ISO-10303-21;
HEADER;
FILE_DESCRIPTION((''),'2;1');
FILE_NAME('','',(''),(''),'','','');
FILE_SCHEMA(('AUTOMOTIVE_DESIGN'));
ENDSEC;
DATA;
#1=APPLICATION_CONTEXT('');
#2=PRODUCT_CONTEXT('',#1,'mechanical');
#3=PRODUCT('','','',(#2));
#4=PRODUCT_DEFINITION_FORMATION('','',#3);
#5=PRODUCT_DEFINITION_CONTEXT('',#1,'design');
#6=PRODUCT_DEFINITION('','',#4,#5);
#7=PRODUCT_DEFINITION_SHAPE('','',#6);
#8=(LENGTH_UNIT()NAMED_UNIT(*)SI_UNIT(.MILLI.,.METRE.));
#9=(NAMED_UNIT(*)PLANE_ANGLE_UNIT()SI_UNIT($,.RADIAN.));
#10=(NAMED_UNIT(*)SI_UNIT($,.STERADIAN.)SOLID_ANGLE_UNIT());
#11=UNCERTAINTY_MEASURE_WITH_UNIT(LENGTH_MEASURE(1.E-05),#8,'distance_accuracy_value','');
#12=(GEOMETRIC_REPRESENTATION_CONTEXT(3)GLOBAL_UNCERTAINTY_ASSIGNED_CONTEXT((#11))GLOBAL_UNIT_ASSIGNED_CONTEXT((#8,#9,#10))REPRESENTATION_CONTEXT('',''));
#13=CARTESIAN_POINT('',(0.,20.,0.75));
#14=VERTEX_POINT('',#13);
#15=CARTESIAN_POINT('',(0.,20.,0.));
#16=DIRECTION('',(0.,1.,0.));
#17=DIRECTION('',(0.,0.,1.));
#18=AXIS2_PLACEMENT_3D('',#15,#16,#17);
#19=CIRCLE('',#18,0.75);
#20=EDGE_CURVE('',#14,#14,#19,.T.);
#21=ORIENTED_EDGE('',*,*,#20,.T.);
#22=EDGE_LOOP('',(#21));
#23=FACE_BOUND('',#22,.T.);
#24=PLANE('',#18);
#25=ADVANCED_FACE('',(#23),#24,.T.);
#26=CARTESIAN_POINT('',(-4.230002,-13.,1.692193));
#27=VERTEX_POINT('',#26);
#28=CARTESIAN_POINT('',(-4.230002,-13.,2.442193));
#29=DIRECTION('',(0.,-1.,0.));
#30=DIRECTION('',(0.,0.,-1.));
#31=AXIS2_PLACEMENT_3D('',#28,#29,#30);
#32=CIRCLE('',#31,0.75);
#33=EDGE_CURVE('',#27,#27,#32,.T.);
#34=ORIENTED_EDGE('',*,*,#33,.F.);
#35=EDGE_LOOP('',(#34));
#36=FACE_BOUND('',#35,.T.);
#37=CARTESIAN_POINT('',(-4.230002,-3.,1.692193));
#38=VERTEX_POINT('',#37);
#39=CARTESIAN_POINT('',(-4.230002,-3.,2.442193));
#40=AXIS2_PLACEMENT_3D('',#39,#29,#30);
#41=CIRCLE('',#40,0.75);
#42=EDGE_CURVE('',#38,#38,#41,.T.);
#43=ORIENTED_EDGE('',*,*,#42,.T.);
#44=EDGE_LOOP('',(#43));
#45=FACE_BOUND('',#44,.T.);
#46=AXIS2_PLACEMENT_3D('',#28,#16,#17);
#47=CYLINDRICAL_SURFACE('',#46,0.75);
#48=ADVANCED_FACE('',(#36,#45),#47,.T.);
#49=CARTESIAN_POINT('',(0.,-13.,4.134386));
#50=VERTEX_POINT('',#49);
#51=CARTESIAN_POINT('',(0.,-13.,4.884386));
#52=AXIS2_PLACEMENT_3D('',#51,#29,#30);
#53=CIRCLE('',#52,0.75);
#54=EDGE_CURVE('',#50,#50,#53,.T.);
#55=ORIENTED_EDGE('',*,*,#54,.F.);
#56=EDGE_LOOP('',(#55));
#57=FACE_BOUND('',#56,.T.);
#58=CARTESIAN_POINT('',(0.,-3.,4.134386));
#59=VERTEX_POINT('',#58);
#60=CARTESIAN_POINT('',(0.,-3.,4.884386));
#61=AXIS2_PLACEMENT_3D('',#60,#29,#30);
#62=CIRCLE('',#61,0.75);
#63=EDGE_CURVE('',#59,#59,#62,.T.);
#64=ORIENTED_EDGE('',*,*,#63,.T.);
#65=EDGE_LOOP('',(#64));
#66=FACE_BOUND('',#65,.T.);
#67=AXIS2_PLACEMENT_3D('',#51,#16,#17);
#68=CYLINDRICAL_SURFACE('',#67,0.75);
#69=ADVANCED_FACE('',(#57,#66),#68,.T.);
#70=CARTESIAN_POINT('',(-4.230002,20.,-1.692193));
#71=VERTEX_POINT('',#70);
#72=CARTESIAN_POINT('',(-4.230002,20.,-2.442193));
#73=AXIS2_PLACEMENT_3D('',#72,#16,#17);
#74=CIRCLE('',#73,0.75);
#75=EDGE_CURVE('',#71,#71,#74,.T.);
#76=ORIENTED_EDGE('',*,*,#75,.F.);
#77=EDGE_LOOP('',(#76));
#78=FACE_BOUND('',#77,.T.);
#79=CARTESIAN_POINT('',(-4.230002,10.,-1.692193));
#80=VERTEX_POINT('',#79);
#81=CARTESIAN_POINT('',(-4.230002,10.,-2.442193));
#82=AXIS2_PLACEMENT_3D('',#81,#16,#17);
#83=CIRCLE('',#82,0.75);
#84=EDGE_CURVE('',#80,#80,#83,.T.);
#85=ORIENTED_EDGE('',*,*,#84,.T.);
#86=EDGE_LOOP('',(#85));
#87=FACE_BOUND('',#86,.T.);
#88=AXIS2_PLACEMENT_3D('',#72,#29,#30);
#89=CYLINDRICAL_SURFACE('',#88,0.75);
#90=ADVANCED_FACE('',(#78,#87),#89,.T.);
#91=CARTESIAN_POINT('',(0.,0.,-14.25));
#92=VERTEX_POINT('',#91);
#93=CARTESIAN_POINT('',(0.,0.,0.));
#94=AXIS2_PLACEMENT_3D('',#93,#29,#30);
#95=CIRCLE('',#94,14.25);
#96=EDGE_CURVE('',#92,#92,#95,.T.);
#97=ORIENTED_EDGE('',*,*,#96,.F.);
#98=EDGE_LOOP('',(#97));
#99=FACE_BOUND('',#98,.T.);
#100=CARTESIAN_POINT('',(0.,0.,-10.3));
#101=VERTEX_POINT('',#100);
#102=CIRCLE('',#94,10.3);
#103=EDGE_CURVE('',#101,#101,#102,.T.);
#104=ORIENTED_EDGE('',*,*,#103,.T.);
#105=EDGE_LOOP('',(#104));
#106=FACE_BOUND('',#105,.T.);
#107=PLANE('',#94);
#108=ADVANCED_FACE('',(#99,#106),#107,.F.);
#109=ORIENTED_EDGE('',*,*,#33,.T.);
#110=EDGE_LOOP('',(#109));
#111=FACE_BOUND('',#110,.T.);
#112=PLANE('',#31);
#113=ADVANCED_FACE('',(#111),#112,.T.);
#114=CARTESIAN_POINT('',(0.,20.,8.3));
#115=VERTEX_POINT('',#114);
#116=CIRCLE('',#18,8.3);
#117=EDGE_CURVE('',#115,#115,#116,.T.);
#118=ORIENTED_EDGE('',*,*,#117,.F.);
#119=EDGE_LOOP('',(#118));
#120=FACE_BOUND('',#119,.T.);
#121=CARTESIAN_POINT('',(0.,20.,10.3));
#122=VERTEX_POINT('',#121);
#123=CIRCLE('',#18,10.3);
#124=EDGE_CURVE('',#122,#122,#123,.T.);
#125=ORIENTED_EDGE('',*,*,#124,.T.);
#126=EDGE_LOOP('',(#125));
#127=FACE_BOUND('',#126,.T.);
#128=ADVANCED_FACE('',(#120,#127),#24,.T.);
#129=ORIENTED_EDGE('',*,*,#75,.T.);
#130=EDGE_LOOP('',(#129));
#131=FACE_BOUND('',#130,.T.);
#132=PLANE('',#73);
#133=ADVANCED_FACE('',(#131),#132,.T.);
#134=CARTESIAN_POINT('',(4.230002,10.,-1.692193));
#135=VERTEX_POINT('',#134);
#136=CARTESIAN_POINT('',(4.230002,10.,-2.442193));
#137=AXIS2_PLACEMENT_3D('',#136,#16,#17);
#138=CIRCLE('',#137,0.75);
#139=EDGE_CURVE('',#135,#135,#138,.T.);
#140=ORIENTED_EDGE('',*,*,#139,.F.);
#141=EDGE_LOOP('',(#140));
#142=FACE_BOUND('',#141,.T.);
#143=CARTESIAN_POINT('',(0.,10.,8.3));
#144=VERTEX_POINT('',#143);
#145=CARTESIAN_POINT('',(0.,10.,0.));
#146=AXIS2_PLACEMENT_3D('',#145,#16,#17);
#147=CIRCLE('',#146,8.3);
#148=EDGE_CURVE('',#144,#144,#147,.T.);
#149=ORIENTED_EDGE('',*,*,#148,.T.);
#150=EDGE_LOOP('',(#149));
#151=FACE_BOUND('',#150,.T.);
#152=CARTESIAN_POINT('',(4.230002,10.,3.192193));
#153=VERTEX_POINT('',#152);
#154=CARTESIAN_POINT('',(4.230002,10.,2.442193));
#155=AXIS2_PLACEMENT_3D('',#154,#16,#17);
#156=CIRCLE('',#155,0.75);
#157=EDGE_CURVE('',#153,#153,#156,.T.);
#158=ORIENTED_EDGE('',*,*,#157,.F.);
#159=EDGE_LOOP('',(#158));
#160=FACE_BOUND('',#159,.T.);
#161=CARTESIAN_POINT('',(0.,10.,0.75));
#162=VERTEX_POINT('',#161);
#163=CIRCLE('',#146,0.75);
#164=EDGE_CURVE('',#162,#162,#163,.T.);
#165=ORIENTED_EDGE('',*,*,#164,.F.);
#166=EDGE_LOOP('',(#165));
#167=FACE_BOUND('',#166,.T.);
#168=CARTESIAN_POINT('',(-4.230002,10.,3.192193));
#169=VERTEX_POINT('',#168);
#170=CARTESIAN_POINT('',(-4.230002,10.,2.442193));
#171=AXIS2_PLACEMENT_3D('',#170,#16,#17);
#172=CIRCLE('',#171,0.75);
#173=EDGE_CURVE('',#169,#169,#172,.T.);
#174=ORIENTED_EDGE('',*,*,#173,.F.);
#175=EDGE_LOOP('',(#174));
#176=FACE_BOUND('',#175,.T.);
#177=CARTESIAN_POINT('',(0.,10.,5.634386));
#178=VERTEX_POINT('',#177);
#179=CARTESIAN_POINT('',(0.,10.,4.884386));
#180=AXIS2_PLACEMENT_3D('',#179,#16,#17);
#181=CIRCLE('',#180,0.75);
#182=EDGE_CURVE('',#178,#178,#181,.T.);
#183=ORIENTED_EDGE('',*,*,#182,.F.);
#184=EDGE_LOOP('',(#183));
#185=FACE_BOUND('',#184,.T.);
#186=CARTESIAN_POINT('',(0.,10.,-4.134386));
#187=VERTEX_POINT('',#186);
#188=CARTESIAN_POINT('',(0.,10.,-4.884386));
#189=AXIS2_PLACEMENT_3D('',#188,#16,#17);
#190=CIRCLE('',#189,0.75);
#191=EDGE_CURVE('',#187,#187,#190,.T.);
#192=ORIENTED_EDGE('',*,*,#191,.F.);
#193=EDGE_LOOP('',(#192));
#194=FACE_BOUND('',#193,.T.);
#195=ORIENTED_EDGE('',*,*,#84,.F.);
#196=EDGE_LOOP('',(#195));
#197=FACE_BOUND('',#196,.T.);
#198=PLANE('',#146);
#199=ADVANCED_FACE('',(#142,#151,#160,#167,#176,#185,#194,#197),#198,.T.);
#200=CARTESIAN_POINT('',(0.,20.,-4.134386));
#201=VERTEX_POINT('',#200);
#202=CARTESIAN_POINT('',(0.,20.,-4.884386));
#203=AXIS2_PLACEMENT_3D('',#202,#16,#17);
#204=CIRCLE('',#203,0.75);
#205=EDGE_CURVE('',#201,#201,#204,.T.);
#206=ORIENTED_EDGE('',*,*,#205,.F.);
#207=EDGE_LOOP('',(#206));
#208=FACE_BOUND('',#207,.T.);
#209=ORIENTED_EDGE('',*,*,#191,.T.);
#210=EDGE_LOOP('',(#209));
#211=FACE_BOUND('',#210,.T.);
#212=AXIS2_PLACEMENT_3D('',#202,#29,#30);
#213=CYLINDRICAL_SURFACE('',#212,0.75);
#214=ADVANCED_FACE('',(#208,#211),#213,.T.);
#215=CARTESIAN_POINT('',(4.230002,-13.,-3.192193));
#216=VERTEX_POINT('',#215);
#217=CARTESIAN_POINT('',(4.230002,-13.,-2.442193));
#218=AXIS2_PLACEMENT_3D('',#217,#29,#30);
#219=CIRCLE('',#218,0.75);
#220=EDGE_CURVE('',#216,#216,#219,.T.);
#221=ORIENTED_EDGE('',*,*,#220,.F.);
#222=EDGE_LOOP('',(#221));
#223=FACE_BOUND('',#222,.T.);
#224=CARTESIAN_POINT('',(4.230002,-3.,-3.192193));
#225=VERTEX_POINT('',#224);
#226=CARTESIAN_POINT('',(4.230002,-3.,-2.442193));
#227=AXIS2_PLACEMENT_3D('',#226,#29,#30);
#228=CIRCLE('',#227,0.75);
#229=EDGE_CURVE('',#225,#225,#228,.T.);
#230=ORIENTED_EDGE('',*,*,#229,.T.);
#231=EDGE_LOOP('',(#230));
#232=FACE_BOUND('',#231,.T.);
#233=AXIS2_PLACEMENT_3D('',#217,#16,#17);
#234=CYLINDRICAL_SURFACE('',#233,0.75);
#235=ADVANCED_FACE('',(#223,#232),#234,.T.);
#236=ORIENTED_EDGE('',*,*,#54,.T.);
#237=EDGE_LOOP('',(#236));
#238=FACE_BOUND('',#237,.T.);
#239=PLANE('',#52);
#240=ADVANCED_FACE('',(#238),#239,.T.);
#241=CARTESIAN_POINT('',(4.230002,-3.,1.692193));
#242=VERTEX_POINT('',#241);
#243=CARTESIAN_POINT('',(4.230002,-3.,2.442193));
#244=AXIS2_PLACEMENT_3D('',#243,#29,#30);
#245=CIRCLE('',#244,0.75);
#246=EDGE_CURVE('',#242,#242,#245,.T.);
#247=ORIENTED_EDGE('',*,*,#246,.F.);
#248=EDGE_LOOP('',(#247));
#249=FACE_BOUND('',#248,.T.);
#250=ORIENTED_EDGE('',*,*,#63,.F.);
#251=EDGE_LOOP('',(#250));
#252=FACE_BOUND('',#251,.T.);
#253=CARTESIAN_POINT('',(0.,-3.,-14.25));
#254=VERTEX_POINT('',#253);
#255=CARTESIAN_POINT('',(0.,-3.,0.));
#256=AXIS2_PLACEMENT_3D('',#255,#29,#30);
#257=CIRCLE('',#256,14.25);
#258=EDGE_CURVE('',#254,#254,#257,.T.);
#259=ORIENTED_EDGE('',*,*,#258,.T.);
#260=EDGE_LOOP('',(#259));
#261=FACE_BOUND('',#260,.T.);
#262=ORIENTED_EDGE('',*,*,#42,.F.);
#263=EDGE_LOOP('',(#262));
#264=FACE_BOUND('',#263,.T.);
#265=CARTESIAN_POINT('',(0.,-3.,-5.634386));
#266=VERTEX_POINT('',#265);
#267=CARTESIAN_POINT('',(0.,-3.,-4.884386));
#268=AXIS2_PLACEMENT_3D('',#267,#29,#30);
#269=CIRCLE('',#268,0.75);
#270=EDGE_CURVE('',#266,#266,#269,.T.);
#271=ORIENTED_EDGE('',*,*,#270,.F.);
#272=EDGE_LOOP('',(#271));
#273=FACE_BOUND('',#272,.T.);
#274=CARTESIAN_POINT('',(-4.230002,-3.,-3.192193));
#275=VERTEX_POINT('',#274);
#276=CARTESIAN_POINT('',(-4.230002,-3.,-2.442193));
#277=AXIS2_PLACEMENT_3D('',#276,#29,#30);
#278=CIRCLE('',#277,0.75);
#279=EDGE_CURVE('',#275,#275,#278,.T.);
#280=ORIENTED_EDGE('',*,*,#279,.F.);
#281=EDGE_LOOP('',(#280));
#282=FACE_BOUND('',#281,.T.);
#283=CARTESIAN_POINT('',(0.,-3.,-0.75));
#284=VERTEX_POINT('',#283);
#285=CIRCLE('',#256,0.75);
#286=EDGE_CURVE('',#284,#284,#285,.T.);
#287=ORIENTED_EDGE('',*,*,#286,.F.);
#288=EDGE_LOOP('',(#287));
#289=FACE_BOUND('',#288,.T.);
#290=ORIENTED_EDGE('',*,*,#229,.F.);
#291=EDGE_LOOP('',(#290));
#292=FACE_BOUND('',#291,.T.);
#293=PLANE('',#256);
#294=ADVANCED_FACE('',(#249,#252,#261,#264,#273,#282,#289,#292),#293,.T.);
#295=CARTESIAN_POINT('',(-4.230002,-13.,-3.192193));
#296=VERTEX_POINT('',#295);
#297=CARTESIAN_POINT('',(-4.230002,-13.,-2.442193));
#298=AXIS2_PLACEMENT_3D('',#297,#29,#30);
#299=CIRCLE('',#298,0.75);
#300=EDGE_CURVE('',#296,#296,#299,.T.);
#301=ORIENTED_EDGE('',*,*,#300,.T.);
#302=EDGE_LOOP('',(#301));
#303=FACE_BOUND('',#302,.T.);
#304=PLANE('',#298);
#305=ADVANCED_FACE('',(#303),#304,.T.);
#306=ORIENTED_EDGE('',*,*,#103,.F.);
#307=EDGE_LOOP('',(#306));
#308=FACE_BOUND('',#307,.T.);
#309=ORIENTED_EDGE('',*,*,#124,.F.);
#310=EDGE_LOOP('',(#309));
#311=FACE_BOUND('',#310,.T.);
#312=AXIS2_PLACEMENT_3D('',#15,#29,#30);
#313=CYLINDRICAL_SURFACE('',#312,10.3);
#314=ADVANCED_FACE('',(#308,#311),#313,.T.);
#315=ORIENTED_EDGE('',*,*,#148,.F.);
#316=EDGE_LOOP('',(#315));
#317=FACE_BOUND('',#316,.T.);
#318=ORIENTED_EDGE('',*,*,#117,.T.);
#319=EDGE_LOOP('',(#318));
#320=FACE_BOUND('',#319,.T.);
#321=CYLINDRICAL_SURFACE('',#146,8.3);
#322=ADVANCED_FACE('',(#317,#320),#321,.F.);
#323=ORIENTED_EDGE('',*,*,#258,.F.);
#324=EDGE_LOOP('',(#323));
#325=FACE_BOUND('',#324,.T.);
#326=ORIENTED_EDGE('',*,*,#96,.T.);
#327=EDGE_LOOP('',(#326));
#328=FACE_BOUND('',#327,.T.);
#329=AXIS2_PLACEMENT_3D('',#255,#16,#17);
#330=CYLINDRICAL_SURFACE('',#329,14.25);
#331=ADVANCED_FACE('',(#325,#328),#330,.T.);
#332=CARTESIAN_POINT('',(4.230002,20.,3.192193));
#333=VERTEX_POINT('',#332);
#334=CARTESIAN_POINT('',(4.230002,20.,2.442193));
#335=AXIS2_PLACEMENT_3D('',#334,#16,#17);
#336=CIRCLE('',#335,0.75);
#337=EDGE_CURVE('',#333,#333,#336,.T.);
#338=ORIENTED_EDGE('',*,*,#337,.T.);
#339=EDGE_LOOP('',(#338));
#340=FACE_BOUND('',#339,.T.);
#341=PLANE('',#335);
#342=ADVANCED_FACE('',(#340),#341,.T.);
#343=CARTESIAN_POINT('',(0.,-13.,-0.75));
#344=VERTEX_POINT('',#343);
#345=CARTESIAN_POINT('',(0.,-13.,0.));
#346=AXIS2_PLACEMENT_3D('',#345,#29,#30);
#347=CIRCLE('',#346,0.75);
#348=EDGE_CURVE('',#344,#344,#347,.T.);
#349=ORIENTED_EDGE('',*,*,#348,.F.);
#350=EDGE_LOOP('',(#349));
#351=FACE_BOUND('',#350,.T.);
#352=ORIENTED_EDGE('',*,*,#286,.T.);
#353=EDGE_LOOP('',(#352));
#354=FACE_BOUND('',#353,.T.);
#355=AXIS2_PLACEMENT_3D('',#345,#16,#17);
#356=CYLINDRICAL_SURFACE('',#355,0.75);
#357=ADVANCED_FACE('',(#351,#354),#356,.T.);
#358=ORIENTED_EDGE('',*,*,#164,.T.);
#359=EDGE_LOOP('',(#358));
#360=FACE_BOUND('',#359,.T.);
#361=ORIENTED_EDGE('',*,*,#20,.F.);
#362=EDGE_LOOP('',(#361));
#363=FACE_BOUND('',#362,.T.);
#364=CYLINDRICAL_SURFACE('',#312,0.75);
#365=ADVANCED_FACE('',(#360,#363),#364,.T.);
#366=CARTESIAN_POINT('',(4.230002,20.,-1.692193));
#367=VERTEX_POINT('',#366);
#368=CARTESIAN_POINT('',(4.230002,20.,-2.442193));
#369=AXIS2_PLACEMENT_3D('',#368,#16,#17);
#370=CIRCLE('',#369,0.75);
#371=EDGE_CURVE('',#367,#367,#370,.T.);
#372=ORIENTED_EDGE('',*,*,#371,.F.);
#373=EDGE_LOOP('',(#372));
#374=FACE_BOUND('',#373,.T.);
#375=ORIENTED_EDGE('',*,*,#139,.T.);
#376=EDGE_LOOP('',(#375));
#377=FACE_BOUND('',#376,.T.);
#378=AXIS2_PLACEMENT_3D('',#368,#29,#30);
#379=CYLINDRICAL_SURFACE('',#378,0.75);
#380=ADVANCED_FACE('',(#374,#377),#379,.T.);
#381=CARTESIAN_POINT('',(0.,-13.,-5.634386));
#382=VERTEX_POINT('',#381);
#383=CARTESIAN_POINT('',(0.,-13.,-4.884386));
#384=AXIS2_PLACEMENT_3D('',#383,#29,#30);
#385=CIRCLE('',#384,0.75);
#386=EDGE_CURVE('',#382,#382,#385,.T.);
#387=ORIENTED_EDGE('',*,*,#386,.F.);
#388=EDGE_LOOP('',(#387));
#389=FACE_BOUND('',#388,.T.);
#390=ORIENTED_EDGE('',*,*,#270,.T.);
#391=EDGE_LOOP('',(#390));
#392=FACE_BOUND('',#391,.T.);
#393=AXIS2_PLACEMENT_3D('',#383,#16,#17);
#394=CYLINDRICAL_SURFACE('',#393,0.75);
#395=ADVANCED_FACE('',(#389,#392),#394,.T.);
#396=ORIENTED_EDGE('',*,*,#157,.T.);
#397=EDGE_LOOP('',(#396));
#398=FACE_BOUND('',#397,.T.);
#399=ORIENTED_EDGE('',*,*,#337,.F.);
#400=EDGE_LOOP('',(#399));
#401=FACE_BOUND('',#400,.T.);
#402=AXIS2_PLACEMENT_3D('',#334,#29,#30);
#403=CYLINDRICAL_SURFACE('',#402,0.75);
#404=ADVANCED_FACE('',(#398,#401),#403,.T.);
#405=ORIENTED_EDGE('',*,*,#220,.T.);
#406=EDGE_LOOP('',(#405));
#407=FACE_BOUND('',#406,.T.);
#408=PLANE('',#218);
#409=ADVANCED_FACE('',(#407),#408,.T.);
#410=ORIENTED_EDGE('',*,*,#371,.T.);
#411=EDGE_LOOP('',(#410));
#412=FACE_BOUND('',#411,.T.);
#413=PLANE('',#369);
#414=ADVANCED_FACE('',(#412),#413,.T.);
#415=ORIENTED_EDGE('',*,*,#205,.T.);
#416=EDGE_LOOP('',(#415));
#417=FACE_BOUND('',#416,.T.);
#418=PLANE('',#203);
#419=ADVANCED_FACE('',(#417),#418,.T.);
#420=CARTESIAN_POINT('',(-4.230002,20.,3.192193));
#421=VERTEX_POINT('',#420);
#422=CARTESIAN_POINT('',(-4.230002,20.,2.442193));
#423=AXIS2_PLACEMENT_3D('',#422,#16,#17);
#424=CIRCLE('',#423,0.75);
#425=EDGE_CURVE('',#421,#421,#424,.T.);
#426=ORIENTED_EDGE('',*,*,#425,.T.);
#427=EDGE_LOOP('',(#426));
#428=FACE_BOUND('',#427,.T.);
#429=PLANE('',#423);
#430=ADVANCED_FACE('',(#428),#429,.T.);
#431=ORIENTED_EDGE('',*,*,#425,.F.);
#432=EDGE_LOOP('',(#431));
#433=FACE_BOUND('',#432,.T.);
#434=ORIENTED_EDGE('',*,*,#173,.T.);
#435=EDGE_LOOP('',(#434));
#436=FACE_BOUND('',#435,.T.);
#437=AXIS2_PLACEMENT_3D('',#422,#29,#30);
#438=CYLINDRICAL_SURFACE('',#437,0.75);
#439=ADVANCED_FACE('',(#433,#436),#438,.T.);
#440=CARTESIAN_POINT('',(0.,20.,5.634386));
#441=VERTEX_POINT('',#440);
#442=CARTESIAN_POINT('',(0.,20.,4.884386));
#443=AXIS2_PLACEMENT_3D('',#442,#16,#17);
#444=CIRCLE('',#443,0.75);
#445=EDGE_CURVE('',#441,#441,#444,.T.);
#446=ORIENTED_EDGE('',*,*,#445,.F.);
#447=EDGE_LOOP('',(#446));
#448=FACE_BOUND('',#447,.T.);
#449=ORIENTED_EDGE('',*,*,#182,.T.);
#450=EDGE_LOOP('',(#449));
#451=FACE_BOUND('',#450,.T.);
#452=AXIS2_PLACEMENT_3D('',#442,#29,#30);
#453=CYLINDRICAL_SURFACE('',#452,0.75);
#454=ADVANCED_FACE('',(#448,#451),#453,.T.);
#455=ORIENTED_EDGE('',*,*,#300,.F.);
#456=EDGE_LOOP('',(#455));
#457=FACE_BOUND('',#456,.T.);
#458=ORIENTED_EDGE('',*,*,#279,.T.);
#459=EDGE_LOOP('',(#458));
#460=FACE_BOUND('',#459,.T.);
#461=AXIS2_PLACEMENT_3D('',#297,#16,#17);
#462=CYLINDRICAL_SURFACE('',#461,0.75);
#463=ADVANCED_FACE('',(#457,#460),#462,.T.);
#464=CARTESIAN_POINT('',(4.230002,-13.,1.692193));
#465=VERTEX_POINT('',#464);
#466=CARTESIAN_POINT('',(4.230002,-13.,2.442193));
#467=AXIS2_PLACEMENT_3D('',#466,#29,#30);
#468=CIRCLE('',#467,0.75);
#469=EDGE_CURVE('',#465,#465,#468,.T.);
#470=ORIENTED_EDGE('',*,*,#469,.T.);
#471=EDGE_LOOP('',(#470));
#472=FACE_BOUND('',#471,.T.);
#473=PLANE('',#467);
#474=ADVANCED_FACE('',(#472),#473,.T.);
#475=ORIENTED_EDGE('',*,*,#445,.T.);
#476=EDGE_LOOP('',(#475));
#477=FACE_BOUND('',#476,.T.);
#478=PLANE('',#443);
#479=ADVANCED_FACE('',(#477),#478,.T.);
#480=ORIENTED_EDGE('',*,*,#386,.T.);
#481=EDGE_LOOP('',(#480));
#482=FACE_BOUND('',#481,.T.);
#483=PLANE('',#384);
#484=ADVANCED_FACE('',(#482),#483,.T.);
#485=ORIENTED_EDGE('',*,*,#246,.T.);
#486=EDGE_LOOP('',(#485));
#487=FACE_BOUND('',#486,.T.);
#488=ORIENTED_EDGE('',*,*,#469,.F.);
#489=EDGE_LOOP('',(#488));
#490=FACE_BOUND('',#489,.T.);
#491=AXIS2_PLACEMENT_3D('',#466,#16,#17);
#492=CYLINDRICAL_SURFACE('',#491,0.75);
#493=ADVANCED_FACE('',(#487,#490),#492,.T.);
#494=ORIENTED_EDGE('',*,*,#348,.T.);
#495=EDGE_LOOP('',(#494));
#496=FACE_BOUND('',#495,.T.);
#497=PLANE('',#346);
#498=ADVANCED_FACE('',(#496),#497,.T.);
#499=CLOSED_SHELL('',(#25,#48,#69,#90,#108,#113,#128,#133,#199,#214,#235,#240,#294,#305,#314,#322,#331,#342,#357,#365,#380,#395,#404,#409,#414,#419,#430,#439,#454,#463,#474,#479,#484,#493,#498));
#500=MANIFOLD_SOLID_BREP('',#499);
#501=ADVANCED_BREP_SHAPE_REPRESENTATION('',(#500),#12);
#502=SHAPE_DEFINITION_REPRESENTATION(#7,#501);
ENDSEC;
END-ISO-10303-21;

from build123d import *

# Parameters (mm, degrees)
SKETCH1_R           = 10.3
BOSS_EXTRUDE1_DEPTH = 20
SKETCH2_R           = 14.25
BOSS_EXTRUDE2_DEPTH = 3
SKETCH3_R           = 8.3
CUT_EXTRUDE1_DEPTH  = 10
SKETCH4_R           = 0.75
BOSS_EXTRUDE3_DEPTH = 10
BOSS_EXTRUDE4_START = 10
SKETCH5_R           = 0.75
BOSS_EXTRUDE4_DEPTH = 10


with BuildPart() as part:
    # Sketch1 → Boss-Extrude1 (new body)
    with BuildSketch(Plane(origin=(0, 0, 0), x_dir=(1, 0, 0), z_dir=(0, 1, 0))):
        with Locations(Location((0, 0, 0), (0, 0, 270))):
            Circle(SKETCH1_R)
    extrude(amount=BOSS_EXTRUDE1_DEPTH)

    # Sketch2 → Boss-Extrude2 (add)
    with BuildSketch(Plane.XZ):
        with Locations(Location((0, 0, 0), (0, 0, 270))):
            Circle(SKETCH2_R)
    extrude(amount=BOSS_EXTRUDE2_DEPTH)

    # Sketch3 → Cut-Extrude1 (cut)
    with BuildSketch(Plane(origin=(0, 20, 0), x_dir=(1, 0, 0), z_dir=(0, 1, 0))):
        with Locations(Location((0, 0, 0), (0, 0, 270))):
            Circle(SKETCH3_R)
    extrude(amount=-CUT_EXTRUDE1_DEPTH, mode=Mode.SUBTRACT)

    # Sketch4 → Boss-Extrude3 (add)
    with BuildSketch(Plane(origin=(0, 10, 0), x_dir=(1, 0, 0), z_dir=(0, 1, 0))):
        with Locations(Location((0, 4.884385532, 0), (0, 0, 270))):
            Circle(SKETCH4_R)
        with Locations(Location((4.230001953, 2.442192766, 0), (0, 0, 270))):
            Circle(SKETCH4_R)
        with Locations(Location((4.230001953, -2.442192766, 0), (0, 0, 270))):
            Circle(SKETCH4_R)
        with Locations(Location((0, -4.884385532, 0), (0, 0, 270))):
            Circle(SKETCH4_R)
        with Locations(Location((-4.230001953, -2.442192766, 0), (0, 0, 270))):
            Circle(SKETCH4_R)
        with Locations(Location((-4.230001953, 2.442192766, 0), (0, 0, 270))):
            Circle(SKETCH4_R)
        with Locations(Location((0, 0, 0), (0, 0, 270))):
            Circle(SKETCH4_R)
    extrude(amount=BOSS_EXTRUDE3_DEPTH)

    # Sketch5 → Boss-Extrude4 (add)
    with BuildSketch(Plane.XZ.offset(3).offset(BOSS_EXTRUDE4_START)):
        with Locations(Location((0, 0, 0), (0, 0, 90))):
            Circle(SKETCH5_R)
        with Locations(Location((-4.230001953, -2.442192766, 0), (0, 0, 90))):
            Circle(SKETCH5_R)
        with Locations(Location((-4.230001953, 2.442192766, 0), (0, 0, 90))):
            Circle(SKETCH5_R)
        with Locations(Location((0, 4.884385532, 0), (0, 0, 90))):
            Circle(SKETCH5_R)
        with Locations(Location((4.230001953, 2.442192766, 0), (0, 0, 90))):
            Circle(SKETCH5_R)
        with Locations(Location((4.230001953, -2.442192766, 0), (0, 0, 90))):
            Circle(SKETCH5_R)
        with Locations(Location((0, -4.884385532, 0), (0, 0, 90))):
            Circle(SKETCH5_R)
    extrude(amount=-BOSS_EXTRUDE4_DEPTH)


solid = part.part
